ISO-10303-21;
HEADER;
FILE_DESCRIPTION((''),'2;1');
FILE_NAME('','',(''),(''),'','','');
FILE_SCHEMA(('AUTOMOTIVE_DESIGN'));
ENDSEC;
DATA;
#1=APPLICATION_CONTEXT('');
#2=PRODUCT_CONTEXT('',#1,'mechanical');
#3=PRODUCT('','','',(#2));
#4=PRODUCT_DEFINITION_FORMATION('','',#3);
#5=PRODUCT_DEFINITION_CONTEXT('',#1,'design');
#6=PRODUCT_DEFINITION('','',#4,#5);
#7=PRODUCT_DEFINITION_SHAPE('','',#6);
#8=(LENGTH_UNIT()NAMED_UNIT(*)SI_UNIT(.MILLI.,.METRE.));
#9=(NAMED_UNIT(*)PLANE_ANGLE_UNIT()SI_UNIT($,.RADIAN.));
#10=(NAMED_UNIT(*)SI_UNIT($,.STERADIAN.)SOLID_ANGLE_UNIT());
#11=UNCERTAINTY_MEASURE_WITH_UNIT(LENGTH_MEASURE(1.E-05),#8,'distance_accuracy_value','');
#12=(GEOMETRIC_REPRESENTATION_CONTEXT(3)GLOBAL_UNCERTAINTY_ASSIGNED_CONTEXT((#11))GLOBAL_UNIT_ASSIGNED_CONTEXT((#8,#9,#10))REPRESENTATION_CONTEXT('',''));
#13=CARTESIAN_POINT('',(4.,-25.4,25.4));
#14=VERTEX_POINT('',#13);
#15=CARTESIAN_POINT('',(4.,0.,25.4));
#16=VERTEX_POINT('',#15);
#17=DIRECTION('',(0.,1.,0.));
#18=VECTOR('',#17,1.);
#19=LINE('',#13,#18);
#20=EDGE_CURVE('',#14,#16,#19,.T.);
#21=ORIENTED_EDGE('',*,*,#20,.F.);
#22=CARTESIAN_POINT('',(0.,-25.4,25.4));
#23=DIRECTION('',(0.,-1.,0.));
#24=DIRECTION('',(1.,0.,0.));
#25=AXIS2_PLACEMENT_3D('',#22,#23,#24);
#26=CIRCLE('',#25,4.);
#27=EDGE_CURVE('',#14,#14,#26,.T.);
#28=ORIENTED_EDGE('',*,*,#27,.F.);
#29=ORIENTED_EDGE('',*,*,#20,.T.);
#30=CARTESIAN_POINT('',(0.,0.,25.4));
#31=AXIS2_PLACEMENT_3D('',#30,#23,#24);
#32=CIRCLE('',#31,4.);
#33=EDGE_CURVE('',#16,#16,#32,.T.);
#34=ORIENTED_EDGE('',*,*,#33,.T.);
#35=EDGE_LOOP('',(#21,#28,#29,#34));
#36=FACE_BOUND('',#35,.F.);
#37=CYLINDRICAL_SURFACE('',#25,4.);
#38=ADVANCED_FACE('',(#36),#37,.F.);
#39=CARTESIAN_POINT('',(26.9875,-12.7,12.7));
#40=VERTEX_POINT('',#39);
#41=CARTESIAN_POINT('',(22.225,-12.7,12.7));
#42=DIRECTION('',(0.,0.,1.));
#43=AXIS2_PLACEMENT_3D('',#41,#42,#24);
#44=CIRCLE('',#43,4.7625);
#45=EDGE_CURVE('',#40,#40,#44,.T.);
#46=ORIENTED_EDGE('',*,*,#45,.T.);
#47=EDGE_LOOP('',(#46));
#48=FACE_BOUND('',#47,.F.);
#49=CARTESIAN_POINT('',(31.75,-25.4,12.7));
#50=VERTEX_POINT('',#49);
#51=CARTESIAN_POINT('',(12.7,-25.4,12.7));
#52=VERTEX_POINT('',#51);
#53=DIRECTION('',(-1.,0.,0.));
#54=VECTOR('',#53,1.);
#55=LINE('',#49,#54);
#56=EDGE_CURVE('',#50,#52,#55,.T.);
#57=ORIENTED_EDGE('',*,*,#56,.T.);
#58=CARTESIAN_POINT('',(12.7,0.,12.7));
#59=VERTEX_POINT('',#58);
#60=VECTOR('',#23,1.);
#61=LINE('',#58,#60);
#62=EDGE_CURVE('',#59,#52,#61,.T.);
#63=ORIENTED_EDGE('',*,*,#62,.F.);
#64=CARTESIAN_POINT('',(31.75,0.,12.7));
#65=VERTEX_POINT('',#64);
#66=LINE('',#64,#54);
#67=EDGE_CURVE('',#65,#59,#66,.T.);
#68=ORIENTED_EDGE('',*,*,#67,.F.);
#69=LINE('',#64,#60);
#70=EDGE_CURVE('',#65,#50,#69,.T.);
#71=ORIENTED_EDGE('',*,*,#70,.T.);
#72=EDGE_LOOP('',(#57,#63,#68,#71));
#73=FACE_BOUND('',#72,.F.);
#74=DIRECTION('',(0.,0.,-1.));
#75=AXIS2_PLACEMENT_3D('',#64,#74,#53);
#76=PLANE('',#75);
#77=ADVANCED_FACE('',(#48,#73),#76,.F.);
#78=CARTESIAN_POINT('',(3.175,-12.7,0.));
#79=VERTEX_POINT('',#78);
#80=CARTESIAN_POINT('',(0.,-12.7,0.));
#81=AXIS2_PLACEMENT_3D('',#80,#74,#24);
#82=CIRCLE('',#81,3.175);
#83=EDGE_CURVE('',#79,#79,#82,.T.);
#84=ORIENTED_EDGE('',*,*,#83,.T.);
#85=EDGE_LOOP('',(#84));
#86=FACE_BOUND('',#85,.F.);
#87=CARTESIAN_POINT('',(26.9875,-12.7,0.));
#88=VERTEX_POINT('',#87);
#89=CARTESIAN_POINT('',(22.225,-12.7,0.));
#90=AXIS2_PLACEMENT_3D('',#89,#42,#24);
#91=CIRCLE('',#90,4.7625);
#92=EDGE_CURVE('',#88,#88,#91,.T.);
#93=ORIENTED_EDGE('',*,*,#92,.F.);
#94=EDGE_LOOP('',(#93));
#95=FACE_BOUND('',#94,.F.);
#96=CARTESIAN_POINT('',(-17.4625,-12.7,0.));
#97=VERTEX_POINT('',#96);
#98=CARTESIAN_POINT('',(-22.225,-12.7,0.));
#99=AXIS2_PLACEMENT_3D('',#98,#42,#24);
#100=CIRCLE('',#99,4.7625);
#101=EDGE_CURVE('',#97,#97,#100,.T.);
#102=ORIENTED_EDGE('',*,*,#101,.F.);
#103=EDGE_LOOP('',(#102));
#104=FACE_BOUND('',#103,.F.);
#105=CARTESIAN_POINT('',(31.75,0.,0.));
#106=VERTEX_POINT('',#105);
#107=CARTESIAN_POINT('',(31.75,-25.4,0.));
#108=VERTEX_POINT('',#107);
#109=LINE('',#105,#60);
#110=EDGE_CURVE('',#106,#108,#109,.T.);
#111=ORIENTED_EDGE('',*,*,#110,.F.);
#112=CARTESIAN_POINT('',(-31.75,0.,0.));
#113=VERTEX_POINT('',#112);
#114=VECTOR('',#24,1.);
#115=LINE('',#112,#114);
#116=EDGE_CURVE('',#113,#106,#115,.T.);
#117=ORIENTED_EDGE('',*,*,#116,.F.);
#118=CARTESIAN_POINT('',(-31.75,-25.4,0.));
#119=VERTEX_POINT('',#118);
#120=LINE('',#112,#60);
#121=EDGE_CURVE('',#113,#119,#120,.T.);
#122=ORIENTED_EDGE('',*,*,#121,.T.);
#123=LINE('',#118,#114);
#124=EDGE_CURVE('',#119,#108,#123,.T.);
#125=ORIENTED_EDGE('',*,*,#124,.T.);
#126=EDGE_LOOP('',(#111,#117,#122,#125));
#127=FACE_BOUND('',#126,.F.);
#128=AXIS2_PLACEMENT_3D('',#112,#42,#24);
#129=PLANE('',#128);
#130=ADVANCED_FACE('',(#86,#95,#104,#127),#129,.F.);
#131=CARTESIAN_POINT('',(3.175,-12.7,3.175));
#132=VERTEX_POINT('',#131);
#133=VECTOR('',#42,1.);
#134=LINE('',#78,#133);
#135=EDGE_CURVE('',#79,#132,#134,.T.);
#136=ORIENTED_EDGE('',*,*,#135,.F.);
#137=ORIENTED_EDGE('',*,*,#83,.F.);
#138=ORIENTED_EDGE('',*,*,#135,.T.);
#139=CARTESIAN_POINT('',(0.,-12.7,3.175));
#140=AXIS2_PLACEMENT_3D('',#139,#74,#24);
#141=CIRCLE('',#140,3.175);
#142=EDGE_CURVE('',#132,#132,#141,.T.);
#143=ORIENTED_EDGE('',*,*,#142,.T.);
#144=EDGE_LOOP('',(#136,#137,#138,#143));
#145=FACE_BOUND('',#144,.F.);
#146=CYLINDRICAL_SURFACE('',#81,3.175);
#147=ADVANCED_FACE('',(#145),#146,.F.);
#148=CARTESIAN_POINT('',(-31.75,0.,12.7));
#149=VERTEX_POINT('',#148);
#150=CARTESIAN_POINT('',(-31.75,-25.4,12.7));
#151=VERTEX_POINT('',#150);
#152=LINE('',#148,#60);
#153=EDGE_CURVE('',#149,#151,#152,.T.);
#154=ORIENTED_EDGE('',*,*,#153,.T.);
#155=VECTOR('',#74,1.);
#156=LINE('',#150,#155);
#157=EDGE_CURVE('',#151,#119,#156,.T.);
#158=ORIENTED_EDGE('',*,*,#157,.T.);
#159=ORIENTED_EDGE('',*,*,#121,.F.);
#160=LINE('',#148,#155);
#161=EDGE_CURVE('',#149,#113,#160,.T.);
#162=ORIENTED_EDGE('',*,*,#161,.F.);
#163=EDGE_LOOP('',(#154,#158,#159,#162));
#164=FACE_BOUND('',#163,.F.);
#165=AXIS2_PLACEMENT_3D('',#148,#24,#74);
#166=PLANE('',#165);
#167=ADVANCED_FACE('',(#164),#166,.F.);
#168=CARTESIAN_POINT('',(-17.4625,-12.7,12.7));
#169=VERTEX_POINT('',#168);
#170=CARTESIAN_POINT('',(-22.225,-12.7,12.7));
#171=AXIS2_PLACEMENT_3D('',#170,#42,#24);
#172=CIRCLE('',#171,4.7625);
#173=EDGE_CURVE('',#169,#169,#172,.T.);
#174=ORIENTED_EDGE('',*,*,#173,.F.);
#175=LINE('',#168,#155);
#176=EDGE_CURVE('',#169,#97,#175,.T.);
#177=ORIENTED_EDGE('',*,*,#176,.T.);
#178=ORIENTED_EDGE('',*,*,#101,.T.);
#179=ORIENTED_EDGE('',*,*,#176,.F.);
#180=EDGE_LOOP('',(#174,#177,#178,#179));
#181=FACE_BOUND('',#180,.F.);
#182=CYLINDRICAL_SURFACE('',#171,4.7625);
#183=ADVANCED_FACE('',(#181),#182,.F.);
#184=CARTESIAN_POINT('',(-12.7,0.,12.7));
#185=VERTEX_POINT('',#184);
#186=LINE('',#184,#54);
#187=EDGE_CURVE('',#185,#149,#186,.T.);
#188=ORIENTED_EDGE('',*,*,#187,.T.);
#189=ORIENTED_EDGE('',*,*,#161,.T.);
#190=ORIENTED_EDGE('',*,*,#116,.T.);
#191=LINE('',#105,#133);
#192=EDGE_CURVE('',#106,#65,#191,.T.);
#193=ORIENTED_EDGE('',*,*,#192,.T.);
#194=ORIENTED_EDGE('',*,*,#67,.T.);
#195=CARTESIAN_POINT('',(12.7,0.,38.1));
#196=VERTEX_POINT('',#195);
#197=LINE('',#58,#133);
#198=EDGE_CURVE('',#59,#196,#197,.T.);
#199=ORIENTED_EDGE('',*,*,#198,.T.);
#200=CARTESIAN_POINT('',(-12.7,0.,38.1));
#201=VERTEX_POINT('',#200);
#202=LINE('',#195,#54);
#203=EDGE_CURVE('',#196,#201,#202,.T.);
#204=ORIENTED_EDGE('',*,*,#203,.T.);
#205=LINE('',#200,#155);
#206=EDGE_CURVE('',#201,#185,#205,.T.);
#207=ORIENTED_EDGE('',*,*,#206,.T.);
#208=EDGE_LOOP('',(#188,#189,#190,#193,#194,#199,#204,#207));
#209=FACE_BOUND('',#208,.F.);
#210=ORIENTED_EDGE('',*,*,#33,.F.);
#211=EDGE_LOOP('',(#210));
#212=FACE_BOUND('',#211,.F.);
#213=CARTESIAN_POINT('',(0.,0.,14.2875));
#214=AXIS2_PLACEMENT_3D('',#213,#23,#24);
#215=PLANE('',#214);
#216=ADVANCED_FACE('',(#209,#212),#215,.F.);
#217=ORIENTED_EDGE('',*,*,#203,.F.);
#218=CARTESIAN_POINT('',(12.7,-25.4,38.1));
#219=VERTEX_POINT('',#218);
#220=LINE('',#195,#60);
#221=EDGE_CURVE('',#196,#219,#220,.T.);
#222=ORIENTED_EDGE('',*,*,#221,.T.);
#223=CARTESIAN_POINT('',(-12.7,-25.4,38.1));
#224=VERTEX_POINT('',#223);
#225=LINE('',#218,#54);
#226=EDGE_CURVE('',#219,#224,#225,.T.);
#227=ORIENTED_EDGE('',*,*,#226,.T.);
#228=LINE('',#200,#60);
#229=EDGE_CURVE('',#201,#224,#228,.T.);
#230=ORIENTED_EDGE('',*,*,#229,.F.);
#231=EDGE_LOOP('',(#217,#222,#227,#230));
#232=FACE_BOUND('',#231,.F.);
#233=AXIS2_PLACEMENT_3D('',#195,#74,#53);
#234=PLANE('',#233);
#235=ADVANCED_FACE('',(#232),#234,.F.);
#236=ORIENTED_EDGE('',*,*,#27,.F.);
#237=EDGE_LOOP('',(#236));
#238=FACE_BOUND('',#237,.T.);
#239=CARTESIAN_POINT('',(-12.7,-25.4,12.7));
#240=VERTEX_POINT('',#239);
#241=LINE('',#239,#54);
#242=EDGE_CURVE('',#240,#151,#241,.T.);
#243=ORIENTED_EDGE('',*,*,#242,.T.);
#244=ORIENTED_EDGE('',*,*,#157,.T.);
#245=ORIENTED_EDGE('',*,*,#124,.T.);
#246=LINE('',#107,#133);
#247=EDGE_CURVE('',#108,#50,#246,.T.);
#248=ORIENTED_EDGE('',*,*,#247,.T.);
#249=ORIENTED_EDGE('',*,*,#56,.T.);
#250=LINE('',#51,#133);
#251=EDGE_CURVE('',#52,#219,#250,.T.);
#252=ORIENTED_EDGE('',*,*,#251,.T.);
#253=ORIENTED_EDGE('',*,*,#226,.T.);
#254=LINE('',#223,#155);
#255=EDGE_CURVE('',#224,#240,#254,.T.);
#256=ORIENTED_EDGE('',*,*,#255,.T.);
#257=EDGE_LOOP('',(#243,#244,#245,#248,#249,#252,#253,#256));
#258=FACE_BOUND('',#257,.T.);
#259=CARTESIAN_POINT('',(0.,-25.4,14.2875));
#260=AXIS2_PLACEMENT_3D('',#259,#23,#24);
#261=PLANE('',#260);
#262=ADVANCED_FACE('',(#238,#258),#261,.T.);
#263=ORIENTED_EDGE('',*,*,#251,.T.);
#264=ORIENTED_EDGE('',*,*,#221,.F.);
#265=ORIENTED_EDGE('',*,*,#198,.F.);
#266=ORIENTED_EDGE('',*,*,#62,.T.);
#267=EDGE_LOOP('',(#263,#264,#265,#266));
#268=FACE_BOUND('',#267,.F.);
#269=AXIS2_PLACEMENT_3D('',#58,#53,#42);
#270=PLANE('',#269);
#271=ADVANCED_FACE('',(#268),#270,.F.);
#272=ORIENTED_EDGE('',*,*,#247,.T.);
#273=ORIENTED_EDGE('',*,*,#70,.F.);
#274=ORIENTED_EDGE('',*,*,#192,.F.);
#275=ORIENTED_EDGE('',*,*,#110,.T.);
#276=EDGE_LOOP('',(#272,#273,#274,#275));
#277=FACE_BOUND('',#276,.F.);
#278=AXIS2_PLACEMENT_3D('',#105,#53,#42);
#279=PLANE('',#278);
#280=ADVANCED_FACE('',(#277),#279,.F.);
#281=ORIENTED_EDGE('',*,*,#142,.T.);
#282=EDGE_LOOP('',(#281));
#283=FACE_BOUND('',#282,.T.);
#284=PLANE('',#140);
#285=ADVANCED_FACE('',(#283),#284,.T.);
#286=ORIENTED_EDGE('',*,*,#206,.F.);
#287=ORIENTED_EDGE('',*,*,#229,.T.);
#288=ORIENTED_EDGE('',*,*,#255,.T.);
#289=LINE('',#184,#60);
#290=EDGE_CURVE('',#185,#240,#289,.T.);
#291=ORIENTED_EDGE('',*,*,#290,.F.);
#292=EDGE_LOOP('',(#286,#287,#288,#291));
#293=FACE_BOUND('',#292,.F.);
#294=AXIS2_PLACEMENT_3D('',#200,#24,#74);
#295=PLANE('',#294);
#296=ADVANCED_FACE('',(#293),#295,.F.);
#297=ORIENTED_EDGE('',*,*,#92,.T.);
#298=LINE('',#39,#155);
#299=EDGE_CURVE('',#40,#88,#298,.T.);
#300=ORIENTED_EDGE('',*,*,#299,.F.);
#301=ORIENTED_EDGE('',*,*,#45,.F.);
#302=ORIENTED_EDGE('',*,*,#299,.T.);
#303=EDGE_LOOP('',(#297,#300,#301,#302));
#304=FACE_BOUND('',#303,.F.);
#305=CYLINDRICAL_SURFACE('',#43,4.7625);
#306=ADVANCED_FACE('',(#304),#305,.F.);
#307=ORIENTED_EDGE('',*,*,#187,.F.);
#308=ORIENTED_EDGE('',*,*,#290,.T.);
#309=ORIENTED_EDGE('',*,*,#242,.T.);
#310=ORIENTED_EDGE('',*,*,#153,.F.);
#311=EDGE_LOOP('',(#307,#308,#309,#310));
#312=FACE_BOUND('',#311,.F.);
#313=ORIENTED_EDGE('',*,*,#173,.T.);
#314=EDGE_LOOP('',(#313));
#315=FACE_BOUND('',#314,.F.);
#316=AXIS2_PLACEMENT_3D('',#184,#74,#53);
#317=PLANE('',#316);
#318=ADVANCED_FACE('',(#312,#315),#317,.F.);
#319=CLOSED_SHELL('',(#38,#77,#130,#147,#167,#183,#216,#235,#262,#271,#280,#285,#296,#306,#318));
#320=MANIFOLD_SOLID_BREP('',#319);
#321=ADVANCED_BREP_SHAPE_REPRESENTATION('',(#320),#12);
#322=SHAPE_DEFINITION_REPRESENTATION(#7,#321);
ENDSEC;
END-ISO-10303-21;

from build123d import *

# Parameters (mm, degrees)
F1_DEPTH = 25.4
F2_R     = 4.7625
F3_DEPTH = 12.701
F4_R     = 4.7625
F5_DEPTH = 12.701
F6_R     = 4
F7_DEPTH = 25.401
F8_R     = 3.175
F9_DEPTH = 3.175


with BuildPart() as f1:
    # F0 (on Front) → F1 (new body)
    with BuildSketch(Plane.XZ):
        Polygon((-31.75, 12.7), (-31.75, 0), (31.75, 0), (31.75, 12.7), (12.7, 12.7), (12.7, 38.1), (-12.7, 38.1), (-12.7, 12.7), align=None)
    extrude(amount=F1_DEPTH)

    # F2 (on face) → F3 (cut, through all)
    with BuildSketch(Plane.XY.offset(12.7)):
        with Locations((-22.225, -12.7)):
            Circle(F2_R)
    extrude(amount=-F3_DEPTH, mode=Mode.SUBTRACT)

    # F4 (on face) → F5 (cut, through all)
    with BuildSketch(Plane.XY.offset(12.7)):
        with Locations((22.225, -12.7)):
            Circle(F4_R)
    extrude(amount=-F5_DEPTH, mode=Mode.SUBTRACT)

    # F6 (on face) → F7 (cut, through all)
    with BuildSketch(Plane.XZ.offset(25.4)):
        with Locations((0, 25.4)):
            Circle(F6_R)
    extrude(amount=-F7_DEPTH, mode=Mode.SUBTRACT)

    # F8 (on face) → F9 (cut)
    with BuildSketch(Plane(origin=(0, 0, 0), x_dir=(1, 0, 0), z_dir=(0, 0, -1))):
        with Locations((0, 12.7)):
            Circle(F8_R)
    extrude(amount=-F9_DEPTH, mode=Mode.SUBTRACT)


solid = f1.part
